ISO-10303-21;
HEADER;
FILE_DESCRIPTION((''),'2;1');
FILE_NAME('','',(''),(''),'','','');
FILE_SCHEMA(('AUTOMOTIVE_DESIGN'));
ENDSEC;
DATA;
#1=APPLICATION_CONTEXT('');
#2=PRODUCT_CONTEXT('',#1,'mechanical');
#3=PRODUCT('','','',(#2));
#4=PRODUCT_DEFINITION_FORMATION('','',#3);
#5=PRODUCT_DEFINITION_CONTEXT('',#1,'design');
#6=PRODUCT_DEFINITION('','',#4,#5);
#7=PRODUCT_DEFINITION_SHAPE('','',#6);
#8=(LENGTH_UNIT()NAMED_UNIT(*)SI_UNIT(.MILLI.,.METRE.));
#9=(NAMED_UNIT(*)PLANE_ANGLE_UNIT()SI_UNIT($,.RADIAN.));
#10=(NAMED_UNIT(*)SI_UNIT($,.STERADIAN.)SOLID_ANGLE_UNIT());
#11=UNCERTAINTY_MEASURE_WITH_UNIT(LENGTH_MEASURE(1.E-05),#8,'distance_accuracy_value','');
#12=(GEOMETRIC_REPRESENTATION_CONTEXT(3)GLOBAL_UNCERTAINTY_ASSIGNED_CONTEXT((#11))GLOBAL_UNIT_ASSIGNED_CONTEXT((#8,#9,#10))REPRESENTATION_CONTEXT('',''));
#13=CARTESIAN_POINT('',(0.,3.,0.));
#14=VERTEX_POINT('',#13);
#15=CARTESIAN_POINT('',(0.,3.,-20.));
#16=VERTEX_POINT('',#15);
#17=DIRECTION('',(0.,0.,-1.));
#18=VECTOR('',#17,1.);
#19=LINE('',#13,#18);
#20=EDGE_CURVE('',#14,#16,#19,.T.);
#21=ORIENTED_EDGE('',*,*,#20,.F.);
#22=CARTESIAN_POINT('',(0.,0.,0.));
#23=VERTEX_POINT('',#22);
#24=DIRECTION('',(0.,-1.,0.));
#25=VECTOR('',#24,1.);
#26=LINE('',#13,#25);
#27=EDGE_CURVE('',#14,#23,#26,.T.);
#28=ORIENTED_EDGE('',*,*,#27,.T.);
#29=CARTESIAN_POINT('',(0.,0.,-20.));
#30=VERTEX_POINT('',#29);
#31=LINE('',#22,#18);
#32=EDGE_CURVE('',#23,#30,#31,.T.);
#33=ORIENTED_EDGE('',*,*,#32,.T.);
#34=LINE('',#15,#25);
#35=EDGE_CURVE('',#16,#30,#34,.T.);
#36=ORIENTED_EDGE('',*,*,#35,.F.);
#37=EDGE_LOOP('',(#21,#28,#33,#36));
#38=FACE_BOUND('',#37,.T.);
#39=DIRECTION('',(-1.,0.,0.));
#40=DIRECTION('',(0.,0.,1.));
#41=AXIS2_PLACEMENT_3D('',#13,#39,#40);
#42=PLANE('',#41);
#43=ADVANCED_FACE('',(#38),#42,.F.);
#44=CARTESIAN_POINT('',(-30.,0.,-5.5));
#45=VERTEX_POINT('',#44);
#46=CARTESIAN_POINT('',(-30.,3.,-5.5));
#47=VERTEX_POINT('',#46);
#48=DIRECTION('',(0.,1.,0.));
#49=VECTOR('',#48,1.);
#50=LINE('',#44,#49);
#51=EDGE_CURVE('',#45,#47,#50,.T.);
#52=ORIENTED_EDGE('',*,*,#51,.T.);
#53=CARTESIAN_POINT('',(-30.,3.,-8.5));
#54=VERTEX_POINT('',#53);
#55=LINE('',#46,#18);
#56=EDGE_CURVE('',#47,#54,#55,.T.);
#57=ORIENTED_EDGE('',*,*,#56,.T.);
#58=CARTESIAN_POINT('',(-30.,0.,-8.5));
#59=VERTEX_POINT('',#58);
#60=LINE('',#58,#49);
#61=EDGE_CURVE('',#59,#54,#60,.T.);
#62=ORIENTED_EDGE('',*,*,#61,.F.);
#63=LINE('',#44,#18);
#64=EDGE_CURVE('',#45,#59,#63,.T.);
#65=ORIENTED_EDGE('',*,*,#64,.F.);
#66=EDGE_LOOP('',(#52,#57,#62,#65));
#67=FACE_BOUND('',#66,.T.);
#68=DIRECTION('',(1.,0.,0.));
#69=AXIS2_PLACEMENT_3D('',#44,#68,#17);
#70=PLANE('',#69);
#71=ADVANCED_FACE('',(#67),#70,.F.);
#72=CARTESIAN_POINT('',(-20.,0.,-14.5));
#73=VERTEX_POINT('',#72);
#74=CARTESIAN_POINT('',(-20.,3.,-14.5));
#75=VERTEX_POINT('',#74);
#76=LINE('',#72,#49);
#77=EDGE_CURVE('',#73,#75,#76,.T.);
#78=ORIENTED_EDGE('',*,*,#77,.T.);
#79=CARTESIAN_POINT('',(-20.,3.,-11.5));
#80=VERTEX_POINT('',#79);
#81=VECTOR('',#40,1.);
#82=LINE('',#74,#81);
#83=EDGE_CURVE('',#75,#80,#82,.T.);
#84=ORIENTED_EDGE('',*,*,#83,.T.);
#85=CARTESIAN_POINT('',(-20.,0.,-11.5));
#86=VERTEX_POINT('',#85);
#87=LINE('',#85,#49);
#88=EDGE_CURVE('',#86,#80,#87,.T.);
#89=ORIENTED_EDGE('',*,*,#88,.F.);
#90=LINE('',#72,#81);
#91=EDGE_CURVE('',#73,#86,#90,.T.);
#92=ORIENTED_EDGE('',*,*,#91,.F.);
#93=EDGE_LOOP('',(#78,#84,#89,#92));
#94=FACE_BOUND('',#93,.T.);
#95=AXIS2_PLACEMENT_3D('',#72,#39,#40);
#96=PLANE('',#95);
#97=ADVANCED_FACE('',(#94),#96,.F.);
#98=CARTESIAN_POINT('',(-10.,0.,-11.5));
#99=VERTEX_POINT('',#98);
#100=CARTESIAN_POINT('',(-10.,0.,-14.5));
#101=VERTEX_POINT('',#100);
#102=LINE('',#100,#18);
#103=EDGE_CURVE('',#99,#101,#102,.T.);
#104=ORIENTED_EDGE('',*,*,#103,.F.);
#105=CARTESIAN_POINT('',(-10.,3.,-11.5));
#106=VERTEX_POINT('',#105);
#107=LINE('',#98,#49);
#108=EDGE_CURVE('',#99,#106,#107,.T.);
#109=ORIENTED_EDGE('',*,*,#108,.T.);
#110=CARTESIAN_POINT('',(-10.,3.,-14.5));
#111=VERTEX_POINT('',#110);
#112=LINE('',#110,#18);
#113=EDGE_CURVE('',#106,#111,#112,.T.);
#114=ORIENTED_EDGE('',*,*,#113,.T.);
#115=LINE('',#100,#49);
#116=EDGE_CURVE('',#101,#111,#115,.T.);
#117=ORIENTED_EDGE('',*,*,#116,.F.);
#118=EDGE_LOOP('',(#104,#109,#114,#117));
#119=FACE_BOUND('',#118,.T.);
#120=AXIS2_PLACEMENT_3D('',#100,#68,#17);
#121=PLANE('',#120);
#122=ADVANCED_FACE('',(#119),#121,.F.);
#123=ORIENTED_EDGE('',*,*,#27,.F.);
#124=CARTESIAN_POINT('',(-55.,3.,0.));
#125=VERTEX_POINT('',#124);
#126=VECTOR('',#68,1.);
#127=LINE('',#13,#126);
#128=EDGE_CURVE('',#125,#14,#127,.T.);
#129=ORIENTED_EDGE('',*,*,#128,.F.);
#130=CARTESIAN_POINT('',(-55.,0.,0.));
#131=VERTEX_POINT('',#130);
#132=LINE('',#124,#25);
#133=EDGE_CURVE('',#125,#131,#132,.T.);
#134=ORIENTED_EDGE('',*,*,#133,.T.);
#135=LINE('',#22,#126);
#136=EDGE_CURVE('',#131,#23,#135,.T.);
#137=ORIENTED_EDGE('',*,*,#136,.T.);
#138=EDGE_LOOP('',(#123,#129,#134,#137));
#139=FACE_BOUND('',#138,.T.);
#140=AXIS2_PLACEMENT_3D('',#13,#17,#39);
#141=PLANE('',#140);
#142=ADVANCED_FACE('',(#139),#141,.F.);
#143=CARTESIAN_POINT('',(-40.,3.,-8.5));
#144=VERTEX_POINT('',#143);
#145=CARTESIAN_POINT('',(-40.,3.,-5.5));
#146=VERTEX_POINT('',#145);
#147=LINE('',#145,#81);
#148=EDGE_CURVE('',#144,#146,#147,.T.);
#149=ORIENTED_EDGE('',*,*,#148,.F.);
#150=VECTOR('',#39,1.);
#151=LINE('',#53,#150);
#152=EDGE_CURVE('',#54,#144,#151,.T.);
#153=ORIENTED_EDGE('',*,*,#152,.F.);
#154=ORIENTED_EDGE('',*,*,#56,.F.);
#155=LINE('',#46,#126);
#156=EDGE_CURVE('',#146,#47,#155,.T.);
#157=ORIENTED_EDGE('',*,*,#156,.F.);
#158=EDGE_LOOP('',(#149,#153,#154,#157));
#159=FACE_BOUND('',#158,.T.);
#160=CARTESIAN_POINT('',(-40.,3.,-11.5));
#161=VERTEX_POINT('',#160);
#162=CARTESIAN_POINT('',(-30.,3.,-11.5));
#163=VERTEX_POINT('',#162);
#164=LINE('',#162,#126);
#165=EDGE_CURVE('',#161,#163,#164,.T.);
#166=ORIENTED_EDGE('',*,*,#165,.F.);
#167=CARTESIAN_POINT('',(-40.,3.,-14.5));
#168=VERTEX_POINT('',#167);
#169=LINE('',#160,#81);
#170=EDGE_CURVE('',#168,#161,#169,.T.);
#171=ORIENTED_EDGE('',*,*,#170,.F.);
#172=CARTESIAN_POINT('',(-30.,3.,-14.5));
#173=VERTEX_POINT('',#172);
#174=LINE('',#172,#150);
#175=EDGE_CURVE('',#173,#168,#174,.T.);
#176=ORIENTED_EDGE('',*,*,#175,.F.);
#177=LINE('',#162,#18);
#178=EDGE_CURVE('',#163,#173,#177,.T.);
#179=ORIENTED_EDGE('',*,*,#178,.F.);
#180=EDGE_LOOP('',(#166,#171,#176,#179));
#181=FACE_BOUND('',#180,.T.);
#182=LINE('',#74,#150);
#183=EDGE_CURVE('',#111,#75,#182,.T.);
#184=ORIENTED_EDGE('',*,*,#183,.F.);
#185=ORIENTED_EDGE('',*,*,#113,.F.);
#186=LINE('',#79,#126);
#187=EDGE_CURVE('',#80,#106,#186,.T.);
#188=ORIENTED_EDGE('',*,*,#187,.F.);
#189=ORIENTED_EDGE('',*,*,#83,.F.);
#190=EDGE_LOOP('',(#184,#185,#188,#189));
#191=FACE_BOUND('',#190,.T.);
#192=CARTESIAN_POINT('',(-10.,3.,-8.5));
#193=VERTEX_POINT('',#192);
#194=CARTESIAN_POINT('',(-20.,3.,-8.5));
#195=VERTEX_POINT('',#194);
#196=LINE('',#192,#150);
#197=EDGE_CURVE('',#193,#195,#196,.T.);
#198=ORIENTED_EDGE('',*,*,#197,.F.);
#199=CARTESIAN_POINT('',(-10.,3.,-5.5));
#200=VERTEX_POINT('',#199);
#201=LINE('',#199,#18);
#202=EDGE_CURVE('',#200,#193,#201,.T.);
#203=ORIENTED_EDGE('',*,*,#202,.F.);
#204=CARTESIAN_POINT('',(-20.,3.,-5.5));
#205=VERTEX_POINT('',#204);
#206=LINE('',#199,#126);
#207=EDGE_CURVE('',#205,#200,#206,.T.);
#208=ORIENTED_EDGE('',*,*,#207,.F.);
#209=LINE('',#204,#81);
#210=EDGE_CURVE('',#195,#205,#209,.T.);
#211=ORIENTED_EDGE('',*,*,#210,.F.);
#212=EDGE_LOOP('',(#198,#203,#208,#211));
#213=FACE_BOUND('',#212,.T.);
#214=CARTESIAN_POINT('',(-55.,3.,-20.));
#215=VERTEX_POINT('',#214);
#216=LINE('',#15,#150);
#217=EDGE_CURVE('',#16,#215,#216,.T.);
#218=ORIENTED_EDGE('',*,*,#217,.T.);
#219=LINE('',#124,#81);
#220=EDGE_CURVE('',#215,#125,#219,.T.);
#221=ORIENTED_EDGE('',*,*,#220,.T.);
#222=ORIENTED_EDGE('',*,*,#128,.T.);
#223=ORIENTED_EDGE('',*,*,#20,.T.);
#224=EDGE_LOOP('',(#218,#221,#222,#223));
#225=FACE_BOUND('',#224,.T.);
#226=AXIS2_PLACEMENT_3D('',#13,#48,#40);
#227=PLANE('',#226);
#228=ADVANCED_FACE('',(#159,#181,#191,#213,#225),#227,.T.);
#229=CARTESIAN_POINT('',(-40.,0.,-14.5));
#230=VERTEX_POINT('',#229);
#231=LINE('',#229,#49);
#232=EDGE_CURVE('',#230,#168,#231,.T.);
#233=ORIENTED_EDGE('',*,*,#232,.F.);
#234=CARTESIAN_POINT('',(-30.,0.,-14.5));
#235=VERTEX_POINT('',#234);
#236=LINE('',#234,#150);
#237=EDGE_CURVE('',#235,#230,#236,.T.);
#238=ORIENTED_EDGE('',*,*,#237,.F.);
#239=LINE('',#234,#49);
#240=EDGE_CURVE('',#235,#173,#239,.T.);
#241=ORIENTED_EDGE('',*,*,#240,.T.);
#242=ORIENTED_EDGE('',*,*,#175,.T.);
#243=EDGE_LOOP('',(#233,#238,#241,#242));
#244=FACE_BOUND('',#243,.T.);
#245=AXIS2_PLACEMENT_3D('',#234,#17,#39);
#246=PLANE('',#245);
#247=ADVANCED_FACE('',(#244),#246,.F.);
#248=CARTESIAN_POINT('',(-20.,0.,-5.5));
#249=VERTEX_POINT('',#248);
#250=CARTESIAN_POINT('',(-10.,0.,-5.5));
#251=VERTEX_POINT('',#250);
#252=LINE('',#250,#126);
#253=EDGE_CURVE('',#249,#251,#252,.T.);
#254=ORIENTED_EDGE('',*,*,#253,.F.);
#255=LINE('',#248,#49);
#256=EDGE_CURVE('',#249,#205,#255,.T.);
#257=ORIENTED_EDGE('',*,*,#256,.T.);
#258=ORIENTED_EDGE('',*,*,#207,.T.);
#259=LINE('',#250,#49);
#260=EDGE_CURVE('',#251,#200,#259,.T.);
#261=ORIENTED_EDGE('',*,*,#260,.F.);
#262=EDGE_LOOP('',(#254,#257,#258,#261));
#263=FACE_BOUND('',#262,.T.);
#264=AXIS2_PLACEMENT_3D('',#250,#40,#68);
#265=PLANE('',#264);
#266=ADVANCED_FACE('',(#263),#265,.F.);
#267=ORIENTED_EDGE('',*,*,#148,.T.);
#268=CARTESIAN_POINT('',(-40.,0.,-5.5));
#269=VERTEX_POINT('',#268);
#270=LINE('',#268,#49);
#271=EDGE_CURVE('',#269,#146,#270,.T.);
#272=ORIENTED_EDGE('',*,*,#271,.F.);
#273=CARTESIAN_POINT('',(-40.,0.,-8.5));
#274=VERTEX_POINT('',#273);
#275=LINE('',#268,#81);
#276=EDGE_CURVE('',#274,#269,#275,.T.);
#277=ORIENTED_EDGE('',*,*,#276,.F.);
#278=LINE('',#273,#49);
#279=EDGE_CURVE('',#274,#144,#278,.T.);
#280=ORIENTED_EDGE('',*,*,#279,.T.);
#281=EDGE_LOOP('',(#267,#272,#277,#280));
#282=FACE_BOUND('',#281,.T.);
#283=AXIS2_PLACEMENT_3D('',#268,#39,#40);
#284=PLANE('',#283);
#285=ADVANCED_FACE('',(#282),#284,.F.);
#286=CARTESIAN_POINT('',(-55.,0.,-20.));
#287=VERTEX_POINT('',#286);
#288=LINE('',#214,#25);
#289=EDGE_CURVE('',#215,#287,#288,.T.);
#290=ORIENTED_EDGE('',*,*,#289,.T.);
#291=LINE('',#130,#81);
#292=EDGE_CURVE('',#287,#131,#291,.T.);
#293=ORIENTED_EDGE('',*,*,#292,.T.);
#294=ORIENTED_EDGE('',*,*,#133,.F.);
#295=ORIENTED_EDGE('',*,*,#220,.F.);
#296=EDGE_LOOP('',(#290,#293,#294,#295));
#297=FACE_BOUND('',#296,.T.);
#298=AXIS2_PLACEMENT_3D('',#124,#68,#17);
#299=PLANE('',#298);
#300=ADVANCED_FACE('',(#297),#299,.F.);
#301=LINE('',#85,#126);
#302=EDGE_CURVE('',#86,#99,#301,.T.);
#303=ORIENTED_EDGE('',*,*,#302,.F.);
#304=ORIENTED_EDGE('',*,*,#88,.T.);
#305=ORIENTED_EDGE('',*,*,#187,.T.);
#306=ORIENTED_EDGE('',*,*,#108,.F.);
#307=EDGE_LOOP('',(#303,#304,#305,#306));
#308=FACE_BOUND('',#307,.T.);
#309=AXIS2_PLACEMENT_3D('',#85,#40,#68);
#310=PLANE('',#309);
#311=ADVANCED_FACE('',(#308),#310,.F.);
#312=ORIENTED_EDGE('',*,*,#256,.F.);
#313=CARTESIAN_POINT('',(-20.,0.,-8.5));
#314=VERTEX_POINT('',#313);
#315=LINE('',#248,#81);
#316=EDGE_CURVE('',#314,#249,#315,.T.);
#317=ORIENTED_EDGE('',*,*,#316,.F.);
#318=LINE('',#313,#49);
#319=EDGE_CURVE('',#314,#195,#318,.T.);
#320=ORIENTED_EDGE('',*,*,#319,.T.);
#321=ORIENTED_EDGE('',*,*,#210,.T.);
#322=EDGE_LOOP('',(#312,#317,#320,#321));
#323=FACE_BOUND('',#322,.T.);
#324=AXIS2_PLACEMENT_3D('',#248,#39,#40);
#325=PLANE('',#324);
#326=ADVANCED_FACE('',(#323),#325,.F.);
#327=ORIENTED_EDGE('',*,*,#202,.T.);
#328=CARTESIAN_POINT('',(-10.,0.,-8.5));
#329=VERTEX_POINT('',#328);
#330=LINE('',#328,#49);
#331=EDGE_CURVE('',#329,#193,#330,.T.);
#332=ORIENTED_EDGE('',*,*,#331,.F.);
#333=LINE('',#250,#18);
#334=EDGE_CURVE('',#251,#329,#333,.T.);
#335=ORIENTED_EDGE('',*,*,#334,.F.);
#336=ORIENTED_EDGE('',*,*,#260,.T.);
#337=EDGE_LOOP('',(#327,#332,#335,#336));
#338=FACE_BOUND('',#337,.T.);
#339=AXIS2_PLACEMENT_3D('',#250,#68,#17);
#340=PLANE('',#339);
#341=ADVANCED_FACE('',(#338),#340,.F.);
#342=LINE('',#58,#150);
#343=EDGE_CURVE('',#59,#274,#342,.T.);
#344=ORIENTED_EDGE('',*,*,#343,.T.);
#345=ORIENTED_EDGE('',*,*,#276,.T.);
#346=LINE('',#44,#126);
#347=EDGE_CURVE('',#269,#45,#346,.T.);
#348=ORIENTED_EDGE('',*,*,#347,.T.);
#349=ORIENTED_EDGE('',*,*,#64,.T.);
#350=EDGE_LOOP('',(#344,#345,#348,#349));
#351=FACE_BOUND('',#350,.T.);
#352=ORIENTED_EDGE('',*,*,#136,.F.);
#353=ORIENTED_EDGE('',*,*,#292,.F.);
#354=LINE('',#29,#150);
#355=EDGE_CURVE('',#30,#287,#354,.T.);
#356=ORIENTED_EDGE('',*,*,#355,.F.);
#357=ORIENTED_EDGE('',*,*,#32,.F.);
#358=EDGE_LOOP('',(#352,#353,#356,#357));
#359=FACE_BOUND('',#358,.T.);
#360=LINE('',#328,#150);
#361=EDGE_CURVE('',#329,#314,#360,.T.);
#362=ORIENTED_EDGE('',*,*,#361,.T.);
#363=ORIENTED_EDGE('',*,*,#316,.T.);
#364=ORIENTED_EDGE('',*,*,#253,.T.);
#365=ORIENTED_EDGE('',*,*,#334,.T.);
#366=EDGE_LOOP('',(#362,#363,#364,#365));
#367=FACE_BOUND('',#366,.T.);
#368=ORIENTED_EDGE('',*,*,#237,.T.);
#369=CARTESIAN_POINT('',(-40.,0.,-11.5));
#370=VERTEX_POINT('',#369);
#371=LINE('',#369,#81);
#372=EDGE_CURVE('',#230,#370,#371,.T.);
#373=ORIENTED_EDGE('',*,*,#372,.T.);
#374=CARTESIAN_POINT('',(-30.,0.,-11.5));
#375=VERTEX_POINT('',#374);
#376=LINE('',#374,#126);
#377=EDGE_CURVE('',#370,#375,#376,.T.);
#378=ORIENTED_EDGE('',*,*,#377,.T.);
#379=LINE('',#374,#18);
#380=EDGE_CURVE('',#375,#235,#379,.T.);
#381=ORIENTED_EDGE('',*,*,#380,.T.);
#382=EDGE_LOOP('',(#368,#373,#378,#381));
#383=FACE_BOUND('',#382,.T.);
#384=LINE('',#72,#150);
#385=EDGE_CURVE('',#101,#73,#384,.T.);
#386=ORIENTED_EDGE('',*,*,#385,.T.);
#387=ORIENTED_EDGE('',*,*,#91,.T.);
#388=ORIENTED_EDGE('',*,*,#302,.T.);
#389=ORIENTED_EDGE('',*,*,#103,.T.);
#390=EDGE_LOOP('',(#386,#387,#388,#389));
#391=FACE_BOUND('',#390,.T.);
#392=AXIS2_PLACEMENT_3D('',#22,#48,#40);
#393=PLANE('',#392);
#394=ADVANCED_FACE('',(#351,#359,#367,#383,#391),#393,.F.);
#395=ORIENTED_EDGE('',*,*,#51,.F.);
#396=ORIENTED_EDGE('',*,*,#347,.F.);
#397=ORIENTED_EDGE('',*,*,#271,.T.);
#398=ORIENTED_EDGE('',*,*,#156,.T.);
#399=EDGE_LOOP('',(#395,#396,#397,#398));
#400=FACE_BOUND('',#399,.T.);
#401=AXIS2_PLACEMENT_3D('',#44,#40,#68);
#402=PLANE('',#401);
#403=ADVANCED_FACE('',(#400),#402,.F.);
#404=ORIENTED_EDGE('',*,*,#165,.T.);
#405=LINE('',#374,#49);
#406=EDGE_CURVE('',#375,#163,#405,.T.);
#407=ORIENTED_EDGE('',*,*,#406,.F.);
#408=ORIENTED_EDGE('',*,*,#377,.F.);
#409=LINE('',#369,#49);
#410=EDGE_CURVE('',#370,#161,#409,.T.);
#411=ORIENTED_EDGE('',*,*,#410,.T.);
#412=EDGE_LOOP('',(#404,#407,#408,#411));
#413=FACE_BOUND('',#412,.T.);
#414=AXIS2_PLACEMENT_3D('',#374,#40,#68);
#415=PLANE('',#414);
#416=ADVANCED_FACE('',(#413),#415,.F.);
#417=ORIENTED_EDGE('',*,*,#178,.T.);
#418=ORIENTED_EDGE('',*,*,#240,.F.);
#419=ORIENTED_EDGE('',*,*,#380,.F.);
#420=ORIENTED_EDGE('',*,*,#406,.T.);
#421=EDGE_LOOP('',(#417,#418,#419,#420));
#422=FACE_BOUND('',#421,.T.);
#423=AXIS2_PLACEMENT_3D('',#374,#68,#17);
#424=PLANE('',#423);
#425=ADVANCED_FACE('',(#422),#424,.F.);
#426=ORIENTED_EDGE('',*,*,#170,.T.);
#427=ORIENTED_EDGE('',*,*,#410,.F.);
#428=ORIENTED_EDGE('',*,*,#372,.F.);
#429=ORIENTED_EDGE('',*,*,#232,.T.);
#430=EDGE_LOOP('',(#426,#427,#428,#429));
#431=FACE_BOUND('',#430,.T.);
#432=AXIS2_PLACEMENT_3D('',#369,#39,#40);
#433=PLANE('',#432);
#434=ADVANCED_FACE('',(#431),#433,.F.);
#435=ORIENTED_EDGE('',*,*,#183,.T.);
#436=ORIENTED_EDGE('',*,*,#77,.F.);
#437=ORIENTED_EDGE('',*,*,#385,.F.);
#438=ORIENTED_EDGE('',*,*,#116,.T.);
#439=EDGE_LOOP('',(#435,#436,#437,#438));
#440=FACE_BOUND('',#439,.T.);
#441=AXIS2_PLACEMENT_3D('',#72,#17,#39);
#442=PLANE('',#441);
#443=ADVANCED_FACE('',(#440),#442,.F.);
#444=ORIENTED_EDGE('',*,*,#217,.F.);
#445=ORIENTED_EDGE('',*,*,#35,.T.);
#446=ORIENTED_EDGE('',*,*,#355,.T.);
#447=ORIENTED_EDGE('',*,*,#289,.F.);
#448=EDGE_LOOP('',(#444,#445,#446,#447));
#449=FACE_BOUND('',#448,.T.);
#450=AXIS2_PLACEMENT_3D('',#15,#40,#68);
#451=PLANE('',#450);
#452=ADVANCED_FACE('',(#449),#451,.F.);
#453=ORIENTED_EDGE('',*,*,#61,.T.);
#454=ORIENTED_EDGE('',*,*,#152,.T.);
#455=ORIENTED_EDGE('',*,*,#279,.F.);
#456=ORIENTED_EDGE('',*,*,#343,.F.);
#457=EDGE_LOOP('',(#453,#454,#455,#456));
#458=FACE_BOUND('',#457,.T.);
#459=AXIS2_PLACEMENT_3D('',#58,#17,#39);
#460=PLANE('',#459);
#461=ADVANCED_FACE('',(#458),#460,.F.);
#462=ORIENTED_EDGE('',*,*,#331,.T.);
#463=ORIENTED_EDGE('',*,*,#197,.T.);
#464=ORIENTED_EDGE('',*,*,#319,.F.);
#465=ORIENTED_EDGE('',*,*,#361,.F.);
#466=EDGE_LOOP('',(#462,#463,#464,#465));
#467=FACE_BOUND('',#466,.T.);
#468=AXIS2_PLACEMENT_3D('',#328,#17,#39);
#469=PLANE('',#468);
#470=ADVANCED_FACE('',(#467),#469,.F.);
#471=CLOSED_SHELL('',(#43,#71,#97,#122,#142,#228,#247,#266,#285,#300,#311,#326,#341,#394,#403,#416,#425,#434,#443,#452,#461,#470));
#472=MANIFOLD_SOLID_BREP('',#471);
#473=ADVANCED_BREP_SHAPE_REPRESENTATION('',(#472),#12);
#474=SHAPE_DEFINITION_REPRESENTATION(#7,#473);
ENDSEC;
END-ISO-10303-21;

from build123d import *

# Parameters (mm, degrees)
SKETCH1_W           = 55
SKETCH1_H           = 20
BOSS_EXTRUDE1_DEPTH = 3
SKETCH2_W           = 10
SKETCH2_H           = 3
CUT_EXTRUDE1_DEPTH  = 3


with BuildPart() as part:
    # Sketch1 → Boss-Extrude1 (new body)
    with BuildSketch(Plane(origin=(0, 0, 0), x_dir=(1, 0, 0), z_dir=(0, 1, 0))):
        with Locations((-27.5, 10)):
            Rectangle(SKETCH1_W, SKETCH1_H)
    extrude(amount=BOSS_EXTRUDE1_DEPTH)

    # Sketch2 → Cut-Extrude1 (cut)
    with BuildSketch(Plane(origin=(0, 3, 0), x_dir=(1, 0, 0), z_dir=(0, 1, 0))):
        with Locations((-15, 13)):
            Rectangle(SKETCH2_W, SKETCH2_H)
        with Locations((-35, 13)):
            Rectangle(SKETCH2_W, SKETCH2_H)
        with Locations((-15, 7)):
            Rectangle(SKETCH2_W, SKETCH2_H)
        with Locations((-35, 7)):
            Rectangle(SKETCH2_W, SKETCH2_H)
    extrude(amount=-CUT_EXTRUDE1_DEPTH, mode=Mode.SUBTRACT)


solid = part.part
